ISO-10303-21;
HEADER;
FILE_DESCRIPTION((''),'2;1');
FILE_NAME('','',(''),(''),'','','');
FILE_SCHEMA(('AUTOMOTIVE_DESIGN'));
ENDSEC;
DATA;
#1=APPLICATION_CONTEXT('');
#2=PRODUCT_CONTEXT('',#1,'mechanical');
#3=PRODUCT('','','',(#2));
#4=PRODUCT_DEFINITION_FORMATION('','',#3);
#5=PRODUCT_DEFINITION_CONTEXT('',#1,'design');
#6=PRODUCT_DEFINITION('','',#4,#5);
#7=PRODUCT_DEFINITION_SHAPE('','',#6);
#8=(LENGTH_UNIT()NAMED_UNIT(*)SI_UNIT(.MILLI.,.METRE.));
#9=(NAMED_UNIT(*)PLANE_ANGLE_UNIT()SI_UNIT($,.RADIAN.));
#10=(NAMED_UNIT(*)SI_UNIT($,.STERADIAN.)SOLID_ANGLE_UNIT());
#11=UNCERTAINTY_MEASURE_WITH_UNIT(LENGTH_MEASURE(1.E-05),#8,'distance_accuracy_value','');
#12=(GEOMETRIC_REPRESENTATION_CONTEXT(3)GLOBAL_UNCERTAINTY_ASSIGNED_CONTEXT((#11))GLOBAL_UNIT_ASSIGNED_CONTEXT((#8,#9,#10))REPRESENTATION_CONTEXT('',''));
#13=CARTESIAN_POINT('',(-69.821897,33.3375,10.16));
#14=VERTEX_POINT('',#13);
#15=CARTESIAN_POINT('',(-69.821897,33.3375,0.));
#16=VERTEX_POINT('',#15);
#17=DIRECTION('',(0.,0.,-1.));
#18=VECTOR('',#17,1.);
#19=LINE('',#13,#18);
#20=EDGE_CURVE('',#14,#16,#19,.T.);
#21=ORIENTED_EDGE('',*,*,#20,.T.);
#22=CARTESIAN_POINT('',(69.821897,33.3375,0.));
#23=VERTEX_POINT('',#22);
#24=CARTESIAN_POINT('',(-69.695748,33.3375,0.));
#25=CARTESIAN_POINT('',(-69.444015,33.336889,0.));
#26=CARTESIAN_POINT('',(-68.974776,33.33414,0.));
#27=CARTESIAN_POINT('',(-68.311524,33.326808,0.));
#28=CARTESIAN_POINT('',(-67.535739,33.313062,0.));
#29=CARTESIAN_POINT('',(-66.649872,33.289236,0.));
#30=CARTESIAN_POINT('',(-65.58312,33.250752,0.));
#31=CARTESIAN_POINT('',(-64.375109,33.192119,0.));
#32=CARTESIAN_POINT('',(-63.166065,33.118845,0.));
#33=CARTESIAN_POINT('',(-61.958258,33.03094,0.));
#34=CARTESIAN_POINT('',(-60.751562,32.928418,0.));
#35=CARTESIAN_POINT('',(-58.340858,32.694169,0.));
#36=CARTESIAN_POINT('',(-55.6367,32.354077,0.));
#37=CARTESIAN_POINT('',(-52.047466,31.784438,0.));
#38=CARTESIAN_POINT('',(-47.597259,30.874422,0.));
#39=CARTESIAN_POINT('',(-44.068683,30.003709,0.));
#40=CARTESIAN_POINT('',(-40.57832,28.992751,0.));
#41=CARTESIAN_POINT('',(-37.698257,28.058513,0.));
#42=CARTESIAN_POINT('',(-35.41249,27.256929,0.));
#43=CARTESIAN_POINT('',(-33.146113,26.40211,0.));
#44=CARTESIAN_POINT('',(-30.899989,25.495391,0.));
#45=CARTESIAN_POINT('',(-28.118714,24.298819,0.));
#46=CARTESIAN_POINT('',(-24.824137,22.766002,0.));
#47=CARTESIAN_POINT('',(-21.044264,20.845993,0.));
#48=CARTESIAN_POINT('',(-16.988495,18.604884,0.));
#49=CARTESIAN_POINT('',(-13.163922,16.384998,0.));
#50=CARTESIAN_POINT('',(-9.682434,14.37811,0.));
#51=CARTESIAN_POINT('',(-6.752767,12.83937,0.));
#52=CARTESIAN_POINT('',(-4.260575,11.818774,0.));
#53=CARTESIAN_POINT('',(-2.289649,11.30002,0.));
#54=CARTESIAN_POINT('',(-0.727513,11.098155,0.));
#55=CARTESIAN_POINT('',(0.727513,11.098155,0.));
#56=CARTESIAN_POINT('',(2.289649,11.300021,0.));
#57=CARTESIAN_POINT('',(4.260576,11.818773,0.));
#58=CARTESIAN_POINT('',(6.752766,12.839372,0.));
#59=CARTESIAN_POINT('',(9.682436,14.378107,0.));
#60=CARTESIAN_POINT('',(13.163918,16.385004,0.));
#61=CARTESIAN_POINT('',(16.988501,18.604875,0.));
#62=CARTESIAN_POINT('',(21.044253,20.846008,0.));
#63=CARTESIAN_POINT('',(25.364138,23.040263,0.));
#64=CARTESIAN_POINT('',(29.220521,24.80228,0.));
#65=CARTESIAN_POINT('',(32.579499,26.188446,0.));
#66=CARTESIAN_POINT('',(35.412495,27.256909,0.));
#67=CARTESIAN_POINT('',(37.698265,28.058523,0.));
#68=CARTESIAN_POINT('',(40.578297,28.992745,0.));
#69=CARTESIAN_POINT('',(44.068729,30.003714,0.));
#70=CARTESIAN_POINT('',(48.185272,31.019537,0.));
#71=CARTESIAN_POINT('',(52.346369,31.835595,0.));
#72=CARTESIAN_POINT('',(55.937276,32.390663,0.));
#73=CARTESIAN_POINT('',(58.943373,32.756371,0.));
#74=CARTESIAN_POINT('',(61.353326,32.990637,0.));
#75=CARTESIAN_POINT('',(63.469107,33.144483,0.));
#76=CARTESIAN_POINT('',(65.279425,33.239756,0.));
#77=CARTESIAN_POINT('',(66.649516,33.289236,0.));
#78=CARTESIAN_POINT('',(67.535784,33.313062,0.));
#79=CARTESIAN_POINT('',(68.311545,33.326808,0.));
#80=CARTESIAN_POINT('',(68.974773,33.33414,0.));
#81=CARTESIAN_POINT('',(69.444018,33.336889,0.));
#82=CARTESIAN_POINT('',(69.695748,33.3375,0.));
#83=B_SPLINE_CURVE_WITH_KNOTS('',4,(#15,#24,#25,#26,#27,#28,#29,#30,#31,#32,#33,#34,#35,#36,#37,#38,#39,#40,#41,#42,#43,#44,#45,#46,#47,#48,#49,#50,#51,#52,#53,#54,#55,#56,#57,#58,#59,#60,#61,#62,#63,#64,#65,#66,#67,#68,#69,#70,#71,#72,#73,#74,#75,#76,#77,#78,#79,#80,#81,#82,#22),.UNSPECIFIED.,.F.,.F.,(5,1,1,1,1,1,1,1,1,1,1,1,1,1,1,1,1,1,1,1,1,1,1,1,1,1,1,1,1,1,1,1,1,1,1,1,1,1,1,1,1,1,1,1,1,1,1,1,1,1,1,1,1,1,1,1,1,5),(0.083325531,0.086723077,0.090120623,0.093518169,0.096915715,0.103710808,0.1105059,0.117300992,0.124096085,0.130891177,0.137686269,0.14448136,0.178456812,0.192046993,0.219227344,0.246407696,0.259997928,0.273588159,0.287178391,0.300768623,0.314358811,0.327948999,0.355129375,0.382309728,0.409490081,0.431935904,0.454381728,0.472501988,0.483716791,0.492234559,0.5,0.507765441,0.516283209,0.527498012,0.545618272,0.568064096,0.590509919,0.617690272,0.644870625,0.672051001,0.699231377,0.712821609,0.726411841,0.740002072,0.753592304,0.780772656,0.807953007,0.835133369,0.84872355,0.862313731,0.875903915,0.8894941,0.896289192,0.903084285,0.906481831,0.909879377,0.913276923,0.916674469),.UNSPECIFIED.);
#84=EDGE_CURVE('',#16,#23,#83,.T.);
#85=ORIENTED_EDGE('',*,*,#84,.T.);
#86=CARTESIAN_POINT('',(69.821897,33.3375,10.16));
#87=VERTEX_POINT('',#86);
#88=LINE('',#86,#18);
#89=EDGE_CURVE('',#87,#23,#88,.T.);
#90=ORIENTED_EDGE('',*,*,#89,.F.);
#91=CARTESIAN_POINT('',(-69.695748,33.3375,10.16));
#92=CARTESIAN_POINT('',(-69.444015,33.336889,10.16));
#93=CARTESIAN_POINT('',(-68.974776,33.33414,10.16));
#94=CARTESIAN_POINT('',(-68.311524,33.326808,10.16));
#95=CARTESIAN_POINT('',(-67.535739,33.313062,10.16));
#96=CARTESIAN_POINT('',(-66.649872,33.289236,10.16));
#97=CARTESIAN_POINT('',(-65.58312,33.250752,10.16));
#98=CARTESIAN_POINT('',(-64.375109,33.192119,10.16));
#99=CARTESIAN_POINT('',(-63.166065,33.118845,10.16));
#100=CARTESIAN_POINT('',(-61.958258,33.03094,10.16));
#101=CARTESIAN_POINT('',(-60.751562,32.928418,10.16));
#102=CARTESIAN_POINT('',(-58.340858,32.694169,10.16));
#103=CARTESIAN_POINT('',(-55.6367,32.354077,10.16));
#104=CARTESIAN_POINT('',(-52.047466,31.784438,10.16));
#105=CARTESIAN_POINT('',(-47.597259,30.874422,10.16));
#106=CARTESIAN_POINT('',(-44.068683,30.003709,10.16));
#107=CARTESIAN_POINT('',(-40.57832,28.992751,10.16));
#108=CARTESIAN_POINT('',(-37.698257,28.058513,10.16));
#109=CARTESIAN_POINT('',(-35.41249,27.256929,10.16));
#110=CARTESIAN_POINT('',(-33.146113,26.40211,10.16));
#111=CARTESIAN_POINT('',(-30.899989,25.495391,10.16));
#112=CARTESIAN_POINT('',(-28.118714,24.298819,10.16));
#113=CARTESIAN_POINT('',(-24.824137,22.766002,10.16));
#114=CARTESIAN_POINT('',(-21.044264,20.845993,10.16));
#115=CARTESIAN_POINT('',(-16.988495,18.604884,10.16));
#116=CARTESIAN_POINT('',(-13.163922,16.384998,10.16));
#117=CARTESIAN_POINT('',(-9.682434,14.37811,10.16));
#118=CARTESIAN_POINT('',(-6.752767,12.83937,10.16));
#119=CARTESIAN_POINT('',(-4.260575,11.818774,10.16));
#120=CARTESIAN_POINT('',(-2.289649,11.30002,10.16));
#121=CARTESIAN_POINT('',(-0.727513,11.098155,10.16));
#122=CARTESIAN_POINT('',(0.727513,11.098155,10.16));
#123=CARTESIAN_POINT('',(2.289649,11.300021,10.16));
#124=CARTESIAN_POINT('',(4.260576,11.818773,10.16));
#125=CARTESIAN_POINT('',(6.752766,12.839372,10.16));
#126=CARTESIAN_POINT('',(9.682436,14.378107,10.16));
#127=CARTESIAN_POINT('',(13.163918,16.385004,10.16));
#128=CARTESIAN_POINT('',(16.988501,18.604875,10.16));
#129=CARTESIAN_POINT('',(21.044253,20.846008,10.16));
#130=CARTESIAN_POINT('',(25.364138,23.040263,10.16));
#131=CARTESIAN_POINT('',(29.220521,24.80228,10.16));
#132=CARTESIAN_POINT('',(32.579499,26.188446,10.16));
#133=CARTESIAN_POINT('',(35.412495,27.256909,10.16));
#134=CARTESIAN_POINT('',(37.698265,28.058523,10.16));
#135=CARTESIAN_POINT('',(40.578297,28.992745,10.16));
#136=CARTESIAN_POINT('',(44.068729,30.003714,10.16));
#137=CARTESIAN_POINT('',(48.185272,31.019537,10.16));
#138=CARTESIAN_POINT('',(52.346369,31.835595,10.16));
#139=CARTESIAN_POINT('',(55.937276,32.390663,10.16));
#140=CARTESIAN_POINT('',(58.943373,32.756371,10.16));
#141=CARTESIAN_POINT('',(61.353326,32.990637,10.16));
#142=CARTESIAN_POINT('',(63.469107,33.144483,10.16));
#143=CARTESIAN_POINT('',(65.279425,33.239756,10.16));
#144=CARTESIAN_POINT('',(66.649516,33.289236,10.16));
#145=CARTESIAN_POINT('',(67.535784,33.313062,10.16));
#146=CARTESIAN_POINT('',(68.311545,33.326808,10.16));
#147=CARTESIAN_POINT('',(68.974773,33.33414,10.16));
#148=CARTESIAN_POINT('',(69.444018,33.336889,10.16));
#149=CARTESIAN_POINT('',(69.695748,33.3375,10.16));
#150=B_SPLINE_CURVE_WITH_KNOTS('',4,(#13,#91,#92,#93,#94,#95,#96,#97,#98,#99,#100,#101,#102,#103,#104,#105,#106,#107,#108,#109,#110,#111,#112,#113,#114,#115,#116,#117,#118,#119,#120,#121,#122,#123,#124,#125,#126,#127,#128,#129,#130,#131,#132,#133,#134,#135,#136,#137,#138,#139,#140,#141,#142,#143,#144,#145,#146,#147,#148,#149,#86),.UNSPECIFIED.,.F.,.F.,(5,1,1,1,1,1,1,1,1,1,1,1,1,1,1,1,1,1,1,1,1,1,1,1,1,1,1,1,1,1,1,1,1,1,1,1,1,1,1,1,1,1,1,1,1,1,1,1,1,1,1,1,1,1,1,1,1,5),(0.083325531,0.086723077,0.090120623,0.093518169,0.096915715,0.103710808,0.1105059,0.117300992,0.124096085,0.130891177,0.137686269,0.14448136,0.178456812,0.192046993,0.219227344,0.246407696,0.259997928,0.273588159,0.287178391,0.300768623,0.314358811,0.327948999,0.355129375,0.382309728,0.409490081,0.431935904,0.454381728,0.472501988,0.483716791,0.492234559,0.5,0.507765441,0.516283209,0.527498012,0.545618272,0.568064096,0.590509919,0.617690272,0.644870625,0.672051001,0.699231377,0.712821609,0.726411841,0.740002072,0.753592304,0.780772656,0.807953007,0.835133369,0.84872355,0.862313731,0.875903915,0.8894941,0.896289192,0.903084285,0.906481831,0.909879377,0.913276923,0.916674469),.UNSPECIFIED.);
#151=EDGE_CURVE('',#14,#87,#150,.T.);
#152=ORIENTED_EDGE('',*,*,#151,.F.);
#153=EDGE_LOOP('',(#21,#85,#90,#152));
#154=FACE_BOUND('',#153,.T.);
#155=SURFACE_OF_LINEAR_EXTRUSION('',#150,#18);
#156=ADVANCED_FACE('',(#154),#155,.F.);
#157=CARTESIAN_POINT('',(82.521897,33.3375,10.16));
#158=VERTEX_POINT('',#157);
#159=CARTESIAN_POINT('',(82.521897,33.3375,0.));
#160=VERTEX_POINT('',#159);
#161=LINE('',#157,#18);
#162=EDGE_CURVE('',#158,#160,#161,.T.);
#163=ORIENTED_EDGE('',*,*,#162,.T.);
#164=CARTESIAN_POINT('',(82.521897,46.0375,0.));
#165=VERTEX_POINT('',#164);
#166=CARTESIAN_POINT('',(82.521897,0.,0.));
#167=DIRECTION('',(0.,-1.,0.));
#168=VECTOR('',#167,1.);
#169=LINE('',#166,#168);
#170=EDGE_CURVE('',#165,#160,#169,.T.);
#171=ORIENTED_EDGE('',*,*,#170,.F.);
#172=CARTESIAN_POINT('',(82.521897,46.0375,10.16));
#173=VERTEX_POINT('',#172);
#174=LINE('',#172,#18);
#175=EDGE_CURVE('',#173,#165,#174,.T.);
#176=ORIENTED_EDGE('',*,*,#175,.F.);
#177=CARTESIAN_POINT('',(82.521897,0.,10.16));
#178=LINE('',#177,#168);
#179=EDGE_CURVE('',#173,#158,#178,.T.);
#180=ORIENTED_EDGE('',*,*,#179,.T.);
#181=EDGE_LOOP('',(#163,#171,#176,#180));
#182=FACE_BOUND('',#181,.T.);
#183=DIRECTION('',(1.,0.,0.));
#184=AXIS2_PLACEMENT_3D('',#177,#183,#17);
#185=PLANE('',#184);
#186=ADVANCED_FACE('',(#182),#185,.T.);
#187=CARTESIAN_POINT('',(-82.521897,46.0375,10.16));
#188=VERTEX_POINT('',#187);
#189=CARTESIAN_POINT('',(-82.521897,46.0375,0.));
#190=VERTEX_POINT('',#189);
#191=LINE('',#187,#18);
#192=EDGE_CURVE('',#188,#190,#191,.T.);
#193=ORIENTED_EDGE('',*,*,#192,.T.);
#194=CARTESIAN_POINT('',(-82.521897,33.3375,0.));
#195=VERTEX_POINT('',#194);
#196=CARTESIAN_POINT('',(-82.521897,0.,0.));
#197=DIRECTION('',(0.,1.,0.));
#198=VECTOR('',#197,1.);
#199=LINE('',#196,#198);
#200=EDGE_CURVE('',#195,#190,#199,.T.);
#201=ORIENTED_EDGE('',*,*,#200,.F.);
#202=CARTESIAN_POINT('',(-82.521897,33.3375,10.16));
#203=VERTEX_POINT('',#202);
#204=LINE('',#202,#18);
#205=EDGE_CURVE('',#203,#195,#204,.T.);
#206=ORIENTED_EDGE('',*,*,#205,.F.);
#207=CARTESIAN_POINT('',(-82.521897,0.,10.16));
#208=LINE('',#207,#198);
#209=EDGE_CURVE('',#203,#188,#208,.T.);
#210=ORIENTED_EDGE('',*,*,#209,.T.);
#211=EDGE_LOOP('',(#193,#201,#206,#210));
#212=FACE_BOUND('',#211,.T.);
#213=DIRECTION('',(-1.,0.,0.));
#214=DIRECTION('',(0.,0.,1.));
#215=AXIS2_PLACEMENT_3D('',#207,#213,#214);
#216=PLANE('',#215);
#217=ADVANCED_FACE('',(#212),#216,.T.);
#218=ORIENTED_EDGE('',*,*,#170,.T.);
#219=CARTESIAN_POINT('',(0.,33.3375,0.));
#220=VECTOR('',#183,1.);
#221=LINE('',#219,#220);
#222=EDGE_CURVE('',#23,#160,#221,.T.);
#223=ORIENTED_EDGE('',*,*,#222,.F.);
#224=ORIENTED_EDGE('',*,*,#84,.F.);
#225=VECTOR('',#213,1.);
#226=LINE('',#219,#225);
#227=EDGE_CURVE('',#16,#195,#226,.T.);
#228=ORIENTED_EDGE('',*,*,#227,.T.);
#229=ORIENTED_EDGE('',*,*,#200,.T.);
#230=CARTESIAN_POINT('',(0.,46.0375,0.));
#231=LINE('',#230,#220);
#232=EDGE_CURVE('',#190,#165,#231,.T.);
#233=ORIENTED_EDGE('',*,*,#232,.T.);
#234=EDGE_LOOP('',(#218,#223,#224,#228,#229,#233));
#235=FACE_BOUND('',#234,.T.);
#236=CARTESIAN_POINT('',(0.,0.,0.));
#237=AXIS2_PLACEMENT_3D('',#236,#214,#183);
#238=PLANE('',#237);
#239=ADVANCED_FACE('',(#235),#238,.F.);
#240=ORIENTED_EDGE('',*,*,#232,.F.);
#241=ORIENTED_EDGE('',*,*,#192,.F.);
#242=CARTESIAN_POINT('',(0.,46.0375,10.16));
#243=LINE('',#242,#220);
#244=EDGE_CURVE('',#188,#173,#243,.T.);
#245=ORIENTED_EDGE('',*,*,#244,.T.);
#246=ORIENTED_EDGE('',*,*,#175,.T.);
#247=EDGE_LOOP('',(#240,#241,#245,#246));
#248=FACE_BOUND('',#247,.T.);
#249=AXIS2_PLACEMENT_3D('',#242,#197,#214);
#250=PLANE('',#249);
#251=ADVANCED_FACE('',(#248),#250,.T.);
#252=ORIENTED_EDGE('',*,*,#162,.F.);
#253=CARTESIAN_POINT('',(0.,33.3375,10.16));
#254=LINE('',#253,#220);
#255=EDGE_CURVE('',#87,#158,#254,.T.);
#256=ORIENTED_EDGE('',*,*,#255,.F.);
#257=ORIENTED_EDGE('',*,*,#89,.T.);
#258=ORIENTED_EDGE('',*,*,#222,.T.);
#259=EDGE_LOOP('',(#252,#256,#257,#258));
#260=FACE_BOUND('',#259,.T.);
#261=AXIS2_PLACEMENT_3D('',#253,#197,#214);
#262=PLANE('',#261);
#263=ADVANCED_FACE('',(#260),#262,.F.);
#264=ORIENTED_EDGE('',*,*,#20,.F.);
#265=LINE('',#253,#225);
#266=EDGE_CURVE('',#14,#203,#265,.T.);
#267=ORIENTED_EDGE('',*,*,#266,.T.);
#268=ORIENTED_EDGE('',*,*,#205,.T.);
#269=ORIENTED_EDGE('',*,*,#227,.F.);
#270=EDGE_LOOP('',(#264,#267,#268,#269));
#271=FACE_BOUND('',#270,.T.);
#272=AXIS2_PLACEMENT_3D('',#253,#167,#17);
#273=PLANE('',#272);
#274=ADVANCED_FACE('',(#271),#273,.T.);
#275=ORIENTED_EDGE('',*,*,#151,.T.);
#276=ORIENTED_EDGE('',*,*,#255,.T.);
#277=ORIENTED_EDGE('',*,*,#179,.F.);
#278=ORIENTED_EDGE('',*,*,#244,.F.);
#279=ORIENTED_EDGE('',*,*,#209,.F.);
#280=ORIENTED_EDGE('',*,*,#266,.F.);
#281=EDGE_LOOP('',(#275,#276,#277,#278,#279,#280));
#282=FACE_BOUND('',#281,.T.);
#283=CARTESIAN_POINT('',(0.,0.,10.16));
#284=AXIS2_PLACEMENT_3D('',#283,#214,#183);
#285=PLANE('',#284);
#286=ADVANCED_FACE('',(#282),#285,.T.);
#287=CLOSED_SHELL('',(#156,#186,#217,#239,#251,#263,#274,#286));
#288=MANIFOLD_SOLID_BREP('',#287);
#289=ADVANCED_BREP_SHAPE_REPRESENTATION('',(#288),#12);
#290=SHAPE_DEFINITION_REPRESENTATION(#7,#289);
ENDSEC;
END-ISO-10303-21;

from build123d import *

# Parameters (mm, degrees)
BOSS_EXTRUDE1_DEPTH = 10.16


with BuildPart() as part:
    # Sketch2 → Boss-Extrude1 (new body)
    with BuildSketch(Plane.XY):
        with BuildLine():
            Line((-69.821896726, 33.3375), (-82.521896726, 33.3375))
            Line((-82.521896726, 33.3375), (-82.521896726, 46.037499958))
            Line((-82.521896726, 46.037499958), (82.521896726, 46.037499958))
            Line((82.521896726, 46.037499958), (82.521896726, 33.337499958))
            Line((82.521896726, 33.337499958), (69.821896726, 33.337499958))
            add(Edge.make_bspline(
                [(-69.821896726, 33.3375), (-69.695748082, 33.337499958), (-69.444014878, 33.33688898), (-68.974776454, 33.334139576), (-68.311523611, 33.326807968), (-67.535738646, 33.313061622), (-66.649871791, 33.289235879), (-65.583119966, 33.250751769), (-64.375109134, 33.192119398), (-63.166065476, 33.118845233), (-61.958257755, 33.030940192), (-60.75156183, 32.928417725), (-58.340858198, 32.694168713), (-55.636700095, 32.354076931), (-52.04746615, 31.784437981), (-47.597259295, 30.87442217), (-44.068683145, 30.003709231), (-40.578319771, 28.992751035), (-37.698257404, 28.058512705), (-35.412490367, 27.256928735), (-33.146112621, 26.402109783), (-30.899989094, 25.495391202), (-28.118713815, 24.298818506), (-24.824137204, 22.766002302), (-21.044263598, 20.845993076), (-16.988495065, 18.604884197), (-13.163922242, 16.384998059), (-9.682433774, 14.378110033), (-6.752766683, 12.839370164), (-4.260575031, 11.818773782), (-2.289648997, 11.300020037), (-0.727513295, 11.098155491), (0.727513365, 11.098155139), (2.289648769, 11.300020508), (4.260575544, 11.818772947), (6.752765579, 12.839371822), (9.682435908, 14.378106921), (13.163918453, 16.385003517), (16.988501351, 18.604875175), (21.044252982, 20.84600832), (25.364138003, 23.040262643), (29.22052055, 24.802279565), (32.579499149, 26.188445915), (35.412494909, 27.256909268), (37.698265231, 28.058522908), (40.578297255, 28.992744505), (44.068728971, 30.00371395), (48.185272464, 31.019537163), (52.346368543, 31.835595144), (55.937275824, 32.390662735), (58.943373068, 32.756370776), (61.353326154, 32.990636746), (63.469107465, 33.144482739), (65.279425319, 33.239756175), (66.64951597, 33.28923593), (67.535784341, 33.313061615), (68.311545278, 33.326807964), (68.974773229, 33.334139576), (69.444018374, 33.33688898), (69.695748082, 33.337499958), (69.821896726, 33.337499958)],
                knots=[0.083325531, 0.083325531, 0.083325531, 0.083325531, 0.083325531, 0.086723077, 0.090120623, 0.093518169, 0.096915715, 0.103710808, 0.1105059, 0.117300992, 0.124096085, 0.130891177, 0.137686269, 0.14448136, 0.178456812, 0.192046993, 0.219227344, 0.246407696, 0.259997928, 0.273588159, 0.287178391, 0.300768623, 0.314358811, 0.327948999, 0.355129375, 0.382309728, 0.409490081, 0.431935904, 0.454381728, 0.472501988, 0.483716791, 0.492234559, 0.5, 0.507765441, 0.516283209, 0.527498012, 0.545618272, 0.568064096, 0.590509919, 0.617690272, 0.644870625, 0.672051001, 0.699231377, 0.712821609, 0.726411841, 0.740002072, 0.753592304, 0.780772656, 0.807953007, 0.835133369, 0.84872355, 0.862313731, 0.875903915, 0.8894941, 0.896289192, 0.903084285, 0.906481831, 0.909879377, 0.913276923, 0.916674469, 0.916674469, 0.916674469, 0.916674469, 0.916674469], degree=4))
        make_face()
    extrude(amount=BOSS_EXTRUDE1_DEPTH)


solid = part.part
